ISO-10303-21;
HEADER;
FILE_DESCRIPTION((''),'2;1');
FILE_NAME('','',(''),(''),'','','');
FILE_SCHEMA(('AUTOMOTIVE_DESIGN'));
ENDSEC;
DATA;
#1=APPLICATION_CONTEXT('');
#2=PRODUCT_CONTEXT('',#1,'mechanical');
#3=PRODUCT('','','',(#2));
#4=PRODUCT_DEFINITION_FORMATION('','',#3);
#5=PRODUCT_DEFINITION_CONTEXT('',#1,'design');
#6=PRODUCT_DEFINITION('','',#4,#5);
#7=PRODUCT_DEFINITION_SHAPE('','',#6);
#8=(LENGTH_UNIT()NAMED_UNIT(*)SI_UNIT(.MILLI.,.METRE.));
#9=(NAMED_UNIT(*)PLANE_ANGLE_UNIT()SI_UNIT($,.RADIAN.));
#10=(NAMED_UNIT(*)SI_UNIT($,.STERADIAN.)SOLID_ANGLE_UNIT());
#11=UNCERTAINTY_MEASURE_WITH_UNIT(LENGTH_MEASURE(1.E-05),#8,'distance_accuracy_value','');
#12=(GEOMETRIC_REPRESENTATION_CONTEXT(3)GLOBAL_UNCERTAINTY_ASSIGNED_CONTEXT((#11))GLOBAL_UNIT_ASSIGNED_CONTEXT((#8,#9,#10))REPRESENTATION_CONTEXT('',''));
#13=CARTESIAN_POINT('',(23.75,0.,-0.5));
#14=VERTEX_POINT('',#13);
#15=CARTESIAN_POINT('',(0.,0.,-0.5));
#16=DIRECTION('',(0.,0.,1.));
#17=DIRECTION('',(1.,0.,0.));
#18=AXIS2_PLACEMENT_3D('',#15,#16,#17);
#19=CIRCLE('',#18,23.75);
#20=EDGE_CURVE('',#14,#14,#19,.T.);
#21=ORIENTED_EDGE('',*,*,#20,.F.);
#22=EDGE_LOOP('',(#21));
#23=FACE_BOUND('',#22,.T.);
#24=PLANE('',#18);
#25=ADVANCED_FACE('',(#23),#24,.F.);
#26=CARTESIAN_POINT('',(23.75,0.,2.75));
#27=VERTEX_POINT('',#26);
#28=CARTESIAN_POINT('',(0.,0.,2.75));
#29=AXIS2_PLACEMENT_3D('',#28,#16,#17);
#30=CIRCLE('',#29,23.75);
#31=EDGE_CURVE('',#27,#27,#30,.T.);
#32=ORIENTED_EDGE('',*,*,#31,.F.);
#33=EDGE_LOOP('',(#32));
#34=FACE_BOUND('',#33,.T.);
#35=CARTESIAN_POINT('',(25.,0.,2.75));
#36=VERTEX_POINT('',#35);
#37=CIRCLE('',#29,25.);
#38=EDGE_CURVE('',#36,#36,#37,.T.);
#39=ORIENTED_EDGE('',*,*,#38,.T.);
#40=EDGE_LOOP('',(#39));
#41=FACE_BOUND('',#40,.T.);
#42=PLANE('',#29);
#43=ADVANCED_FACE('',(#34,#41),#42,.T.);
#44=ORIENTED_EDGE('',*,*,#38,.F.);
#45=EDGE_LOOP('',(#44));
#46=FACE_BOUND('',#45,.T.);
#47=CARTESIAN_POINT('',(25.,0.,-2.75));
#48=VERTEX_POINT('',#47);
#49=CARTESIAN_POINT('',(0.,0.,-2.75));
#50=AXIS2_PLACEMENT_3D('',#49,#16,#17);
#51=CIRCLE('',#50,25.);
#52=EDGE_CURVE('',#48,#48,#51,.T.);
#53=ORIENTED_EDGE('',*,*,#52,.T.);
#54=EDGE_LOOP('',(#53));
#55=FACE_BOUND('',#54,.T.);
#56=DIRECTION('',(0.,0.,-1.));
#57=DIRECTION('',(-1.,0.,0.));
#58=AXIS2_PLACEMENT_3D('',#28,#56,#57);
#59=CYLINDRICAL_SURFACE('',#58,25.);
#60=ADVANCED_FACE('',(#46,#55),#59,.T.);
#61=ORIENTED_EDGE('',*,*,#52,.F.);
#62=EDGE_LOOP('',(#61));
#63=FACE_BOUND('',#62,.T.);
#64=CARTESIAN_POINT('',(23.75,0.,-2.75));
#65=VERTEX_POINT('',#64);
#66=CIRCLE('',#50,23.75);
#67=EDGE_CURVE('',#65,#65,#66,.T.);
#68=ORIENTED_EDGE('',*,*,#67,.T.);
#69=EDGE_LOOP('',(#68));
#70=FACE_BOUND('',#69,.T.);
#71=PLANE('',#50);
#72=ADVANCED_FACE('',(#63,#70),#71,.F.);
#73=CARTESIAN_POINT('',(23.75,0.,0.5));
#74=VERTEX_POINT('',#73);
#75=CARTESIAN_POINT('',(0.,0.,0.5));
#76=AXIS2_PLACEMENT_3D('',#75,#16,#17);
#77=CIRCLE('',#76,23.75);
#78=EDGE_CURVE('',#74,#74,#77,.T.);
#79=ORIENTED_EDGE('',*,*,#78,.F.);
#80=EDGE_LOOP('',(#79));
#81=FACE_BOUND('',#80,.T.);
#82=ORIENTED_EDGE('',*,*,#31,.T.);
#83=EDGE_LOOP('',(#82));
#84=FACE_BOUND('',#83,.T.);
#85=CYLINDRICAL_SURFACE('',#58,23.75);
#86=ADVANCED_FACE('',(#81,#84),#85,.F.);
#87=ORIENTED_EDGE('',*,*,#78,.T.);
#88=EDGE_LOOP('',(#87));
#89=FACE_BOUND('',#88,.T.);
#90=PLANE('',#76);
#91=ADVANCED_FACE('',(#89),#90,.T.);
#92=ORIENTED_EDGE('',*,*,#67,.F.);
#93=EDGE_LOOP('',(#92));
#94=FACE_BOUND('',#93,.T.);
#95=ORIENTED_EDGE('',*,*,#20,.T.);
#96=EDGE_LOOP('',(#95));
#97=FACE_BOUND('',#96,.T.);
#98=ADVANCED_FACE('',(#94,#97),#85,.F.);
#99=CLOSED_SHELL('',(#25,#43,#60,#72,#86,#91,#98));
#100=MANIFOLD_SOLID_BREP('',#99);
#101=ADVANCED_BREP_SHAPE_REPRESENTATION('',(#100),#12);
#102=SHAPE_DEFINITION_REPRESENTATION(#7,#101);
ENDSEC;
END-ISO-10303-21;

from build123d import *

# Parameters (mm, degrees)
SKETCH1_R           = 25
SKETCH1_R_2         = 23.75
BOSS_EXTRUDE1_DEPTH = 2.75
SKETCH2_R           = 23.75
BOSS_EXTRUDE2_DEPTH = 0.5


with BuildPart() as part:
    # Sketch1 → Boss-Extrude1 (new body, symmetric)
    with BuildSketch(Plane.XY):
        Circle(SKETCH1_R)
        Circle(SKETCH1_R_2, mode=Mode.SUBTRACT)
    extrude(amount=BOSS_EXTRUDE1_DEPTH, both=True)

    # Sketch2 → Boss-Extrude2 (add, symmetric)
    with BuildSketch(Plane.XY):
        Circle(SKETCH2_R)
    extrude(amount=BOSS_EXTRUDE2_DEPTH, both=True)


solid = part.part
